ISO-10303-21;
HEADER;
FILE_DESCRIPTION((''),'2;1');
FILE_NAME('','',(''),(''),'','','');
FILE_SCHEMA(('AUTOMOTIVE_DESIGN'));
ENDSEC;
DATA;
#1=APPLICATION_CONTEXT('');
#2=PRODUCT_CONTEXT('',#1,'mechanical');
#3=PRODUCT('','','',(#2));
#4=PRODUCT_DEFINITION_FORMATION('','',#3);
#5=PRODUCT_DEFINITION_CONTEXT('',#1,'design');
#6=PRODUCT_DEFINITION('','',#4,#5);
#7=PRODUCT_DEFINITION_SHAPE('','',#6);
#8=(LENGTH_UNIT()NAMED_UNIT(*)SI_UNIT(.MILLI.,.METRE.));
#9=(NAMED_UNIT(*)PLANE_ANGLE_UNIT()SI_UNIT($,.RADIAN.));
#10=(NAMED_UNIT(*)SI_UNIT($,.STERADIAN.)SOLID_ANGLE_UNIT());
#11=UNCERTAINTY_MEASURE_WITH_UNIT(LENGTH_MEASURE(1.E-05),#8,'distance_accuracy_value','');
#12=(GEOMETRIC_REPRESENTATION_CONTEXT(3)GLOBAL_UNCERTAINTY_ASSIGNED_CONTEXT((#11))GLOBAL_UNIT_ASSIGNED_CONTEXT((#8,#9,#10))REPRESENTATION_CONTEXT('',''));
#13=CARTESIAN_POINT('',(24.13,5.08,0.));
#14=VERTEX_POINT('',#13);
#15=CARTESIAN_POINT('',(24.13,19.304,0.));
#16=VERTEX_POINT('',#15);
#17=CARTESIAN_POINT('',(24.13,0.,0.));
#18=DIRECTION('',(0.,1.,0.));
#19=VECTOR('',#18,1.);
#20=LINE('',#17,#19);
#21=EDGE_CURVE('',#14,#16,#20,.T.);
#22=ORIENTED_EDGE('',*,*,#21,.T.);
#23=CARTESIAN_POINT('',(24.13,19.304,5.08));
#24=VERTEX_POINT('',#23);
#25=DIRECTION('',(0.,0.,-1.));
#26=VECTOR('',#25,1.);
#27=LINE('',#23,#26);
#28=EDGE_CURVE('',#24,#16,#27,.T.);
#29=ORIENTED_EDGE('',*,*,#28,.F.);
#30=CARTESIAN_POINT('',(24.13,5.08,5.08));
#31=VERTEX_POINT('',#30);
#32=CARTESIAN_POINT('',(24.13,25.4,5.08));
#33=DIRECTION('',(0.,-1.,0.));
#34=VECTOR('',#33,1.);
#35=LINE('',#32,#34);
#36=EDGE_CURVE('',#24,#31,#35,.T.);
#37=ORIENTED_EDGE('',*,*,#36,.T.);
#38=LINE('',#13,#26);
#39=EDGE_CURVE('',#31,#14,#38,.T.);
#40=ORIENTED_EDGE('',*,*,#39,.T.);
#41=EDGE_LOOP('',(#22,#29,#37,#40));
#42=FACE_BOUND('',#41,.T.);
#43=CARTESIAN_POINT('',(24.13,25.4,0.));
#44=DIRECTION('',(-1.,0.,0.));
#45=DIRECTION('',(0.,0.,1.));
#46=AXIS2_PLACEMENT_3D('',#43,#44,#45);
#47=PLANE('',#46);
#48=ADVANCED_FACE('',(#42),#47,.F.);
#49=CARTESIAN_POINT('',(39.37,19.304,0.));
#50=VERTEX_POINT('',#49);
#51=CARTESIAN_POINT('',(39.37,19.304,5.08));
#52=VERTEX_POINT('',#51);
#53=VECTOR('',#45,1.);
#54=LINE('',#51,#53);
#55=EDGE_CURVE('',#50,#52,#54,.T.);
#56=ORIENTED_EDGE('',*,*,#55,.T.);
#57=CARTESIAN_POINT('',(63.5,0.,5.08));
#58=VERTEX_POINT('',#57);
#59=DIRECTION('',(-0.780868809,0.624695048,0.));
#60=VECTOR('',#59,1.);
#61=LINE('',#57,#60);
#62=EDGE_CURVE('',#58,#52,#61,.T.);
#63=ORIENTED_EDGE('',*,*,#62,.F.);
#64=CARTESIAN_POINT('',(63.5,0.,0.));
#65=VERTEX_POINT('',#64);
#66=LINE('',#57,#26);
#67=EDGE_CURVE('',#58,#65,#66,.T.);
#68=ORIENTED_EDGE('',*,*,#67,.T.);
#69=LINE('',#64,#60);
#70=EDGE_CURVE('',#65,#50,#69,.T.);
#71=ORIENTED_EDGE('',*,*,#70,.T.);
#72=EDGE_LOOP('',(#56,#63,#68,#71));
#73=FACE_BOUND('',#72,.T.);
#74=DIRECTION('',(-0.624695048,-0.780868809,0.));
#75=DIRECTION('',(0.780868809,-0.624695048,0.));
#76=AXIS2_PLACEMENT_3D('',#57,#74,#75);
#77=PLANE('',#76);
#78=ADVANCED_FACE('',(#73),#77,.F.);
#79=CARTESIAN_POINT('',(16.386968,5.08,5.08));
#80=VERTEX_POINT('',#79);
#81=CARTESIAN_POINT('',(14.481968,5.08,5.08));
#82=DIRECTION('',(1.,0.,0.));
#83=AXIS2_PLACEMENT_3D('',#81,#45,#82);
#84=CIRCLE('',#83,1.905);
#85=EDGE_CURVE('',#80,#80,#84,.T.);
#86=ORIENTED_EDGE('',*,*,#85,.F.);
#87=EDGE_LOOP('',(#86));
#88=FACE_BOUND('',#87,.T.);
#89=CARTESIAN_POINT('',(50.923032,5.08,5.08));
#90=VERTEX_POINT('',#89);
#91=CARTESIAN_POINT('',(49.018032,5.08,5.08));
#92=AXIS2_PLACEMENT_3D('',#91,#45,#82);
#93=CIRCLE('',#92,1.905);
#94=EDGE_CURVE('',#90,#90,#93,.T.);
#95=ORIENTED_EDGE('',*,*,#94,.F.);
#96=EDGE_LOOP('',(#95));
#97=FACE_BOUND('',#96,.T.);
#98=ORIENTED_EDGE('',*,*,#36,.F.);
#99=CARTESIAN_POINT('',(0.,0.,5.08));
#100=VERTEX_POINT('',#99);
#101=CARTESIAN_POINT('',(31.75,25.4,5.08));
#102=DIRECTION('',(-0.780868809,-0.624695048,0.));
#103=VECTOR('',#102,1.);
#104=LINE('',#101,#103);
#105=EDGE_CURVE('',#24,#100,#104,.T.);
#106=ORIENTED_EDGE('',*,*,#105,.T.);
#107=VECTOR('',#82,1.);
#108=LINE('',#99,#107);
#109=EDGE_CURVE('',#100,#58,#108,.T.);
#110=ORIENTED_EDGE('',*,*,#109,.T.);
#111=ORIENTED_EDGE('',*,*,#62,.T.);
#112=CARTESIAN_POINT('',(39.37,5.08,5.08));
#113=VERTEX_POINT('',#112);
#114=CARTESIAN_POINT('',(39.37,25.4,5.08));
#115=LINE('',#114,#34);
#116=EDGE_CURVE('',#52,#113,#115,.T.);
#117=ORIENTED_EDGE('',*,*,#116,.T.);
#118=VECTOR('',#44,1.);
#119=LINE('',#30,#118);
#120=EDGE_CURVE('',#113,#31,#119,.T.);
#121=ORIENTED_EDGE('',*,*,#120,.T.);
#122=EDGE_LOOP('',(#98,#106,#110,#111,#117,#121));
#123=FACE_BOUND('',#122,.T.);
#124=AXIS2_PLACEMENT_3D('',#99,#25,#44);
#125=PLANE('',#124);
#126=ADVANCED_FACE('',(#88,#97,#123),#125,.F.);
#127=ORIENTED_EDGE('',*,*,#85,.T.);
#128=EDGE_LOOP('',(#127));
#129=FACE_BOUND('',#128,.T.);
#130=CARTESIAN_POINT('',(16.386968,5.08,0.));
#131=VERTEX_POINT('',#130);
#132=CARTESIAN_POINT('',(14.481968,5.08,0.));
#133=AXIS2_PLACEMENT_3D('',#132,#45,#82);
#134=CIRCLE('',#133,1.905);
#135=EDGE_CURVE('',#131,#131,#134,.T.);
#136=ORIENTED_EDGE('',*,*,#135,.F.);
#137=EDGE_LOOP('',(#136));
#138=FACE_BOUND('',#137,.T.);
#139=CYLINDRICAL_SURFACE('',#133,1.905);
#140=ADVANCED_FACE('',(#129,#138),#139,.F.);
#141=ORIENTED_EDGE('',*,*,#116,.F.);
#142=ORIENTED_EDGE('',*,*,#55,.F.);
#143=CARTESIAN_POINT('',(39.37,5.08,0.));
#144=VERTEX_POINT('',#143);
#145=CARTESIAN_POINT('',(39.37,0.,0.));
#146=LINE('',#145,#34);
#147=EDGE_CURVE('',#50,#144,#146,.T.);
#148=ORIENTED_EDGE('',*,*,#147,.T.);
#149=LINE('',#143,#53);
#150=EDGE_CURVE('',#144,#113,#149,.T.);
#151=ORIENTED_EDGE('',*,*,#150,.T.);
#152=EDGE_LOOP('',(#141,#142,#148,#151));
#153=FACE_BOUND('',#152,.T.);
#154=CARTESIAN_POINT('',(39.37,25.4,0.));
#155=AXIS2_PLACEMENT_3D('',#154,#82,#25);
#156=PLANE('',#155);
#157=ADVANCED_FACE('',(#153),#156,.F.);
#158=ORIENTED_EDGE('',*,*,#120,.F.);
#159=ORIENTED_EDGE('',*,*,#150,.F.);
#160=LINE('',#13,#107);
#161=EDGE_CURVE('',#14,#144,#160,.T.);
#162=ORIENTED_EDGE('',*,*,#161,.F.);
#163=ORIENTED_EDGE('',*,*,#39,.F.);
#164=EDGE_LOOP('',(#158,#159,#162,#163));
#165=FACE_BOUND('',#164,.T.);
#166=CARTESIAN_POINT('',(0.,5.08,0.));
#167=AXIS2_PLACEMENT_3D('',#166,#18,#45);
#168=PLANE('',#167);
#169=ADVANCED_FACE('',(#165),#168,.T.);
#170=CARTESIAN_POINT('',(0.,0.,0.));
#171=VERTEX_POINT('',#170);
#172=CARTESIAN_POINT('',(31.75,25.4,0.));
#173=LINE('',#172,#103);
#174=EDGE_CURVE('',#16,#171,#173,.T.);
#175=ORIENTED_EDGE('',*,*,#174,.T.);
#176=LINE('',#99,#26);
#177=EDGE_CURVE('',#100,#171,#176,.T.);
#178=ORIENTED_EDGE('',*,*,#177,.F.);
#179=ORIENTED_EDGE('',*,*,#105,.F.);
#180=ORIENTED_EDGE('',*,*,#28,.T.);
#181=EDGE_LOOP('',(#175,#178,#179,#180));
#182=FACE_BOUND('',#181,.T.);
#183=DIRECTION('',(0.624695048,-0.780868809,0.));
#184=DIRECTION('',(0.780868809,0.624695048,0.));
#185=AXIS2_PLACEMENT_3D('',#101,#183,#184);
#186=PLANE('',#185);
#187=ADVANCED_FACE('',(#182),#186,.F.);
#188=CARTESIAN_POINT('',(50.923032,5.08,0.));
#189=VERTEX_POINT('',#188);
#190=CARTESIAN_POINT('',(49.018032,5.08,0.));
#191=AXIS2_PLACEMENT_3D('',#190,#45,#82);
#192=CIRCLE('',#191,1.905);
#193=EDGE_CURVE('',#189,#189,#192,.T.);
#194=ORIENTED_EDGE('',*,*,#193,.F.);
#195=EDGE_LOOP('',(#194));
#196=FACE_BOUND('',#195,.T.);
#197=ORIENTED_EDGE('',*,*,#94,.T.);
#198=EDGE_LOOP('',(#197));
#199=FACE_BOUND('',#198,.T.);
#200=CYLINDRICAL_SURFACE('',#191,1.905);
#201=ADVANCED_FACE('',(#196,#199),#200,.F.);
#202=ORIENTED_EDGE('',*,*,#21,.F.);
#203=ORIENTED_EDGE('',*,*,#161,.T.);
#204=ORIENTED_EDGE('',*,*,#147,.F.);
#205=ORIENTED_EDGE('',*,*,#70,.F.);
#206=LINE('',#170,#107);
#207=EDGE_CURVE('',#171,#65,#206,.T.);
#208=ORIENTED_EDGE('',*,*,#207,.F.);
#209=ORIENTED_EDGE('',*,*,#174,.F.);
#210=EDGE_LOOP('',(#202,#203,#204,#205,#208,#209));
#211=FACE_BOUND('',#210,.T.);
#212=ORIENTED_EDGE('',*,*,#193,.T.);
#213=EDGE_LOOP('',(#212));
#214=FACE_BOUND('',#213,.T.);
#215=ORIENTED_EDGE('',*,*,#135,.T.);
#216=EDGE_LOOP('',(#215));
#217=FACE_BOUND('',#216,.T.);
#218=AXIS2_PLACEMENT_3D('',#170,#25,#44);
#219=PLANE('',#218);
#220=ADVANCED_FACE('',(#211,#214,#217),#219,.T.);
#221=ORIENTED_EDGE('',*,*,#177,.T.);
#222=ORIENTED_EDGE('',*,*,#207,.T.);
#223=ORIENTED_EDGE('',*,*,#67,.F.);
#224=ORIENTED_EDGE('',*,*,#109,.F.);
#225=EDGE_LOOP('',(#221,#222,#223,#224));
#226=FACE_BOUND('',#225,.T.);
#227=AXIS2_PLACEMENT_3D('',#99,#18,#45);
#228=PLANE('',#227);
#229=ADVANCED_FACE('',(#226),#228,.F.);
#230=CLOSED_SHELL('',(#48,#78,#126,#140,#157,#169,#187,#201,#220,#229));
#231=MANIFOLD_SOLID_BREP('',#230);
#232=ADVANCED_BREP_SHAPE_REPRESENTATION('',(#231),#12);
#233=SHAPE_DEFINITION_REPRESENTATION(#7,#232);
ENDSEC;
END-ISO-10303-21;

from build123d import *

# Parameters (mm, degrees)
BOSS_EXTRUDE1_DEPTH = 5.08
SKETCH2_R           = 1.905
CUT_EXTRUDE1_DEPTH  = 6.08
SKETCH5_W           = 15.24
SKETCH5_H           = 5.08
CUT_EXTRUDE2_DEPTH  = 21.32


with BuildPart() as part:
    # Sketch1 → Boss-Extrude1 (new body)
    with BuildSketch(Plane.XY):
        Polygon((0, 0), (63.5, 0), (31.75, 25.4), align=None)
    extrude(amount=BOSS_EXTRUDE1_DEPTH)

    # Sketch2 → Cut-Extrude1 (cut, through all)
    with BuildSketch(Plane.XY.offset(5.08)):
        with Locations((14.481967782, 5.08)):
            Circle(SKETCH2_R)
        with Locations((49.018032218, 5.08)):
            Circle(SKETCH2_R)
    extrude(amount=-CUT_EXTRUDE1_DEPTH, mode=Mode.SUBTRACT)

    # Sketch5 → Cut-Extrude2 (cut, through all)
    with BuildSketch(Plane(origin=(0, 5.08, 0), x_dir=(-1, 0, 0), z_dir=(0, -1, 0))):
        with Locations((-31.75, -2.54)):
            Rectangle(SKETCH5_W, SKETCH5_H)
    extrude(amount=-CUT_EXTRUDE2_DEPTH, mode=Mode.SUBTRACT)


solid = part.part
